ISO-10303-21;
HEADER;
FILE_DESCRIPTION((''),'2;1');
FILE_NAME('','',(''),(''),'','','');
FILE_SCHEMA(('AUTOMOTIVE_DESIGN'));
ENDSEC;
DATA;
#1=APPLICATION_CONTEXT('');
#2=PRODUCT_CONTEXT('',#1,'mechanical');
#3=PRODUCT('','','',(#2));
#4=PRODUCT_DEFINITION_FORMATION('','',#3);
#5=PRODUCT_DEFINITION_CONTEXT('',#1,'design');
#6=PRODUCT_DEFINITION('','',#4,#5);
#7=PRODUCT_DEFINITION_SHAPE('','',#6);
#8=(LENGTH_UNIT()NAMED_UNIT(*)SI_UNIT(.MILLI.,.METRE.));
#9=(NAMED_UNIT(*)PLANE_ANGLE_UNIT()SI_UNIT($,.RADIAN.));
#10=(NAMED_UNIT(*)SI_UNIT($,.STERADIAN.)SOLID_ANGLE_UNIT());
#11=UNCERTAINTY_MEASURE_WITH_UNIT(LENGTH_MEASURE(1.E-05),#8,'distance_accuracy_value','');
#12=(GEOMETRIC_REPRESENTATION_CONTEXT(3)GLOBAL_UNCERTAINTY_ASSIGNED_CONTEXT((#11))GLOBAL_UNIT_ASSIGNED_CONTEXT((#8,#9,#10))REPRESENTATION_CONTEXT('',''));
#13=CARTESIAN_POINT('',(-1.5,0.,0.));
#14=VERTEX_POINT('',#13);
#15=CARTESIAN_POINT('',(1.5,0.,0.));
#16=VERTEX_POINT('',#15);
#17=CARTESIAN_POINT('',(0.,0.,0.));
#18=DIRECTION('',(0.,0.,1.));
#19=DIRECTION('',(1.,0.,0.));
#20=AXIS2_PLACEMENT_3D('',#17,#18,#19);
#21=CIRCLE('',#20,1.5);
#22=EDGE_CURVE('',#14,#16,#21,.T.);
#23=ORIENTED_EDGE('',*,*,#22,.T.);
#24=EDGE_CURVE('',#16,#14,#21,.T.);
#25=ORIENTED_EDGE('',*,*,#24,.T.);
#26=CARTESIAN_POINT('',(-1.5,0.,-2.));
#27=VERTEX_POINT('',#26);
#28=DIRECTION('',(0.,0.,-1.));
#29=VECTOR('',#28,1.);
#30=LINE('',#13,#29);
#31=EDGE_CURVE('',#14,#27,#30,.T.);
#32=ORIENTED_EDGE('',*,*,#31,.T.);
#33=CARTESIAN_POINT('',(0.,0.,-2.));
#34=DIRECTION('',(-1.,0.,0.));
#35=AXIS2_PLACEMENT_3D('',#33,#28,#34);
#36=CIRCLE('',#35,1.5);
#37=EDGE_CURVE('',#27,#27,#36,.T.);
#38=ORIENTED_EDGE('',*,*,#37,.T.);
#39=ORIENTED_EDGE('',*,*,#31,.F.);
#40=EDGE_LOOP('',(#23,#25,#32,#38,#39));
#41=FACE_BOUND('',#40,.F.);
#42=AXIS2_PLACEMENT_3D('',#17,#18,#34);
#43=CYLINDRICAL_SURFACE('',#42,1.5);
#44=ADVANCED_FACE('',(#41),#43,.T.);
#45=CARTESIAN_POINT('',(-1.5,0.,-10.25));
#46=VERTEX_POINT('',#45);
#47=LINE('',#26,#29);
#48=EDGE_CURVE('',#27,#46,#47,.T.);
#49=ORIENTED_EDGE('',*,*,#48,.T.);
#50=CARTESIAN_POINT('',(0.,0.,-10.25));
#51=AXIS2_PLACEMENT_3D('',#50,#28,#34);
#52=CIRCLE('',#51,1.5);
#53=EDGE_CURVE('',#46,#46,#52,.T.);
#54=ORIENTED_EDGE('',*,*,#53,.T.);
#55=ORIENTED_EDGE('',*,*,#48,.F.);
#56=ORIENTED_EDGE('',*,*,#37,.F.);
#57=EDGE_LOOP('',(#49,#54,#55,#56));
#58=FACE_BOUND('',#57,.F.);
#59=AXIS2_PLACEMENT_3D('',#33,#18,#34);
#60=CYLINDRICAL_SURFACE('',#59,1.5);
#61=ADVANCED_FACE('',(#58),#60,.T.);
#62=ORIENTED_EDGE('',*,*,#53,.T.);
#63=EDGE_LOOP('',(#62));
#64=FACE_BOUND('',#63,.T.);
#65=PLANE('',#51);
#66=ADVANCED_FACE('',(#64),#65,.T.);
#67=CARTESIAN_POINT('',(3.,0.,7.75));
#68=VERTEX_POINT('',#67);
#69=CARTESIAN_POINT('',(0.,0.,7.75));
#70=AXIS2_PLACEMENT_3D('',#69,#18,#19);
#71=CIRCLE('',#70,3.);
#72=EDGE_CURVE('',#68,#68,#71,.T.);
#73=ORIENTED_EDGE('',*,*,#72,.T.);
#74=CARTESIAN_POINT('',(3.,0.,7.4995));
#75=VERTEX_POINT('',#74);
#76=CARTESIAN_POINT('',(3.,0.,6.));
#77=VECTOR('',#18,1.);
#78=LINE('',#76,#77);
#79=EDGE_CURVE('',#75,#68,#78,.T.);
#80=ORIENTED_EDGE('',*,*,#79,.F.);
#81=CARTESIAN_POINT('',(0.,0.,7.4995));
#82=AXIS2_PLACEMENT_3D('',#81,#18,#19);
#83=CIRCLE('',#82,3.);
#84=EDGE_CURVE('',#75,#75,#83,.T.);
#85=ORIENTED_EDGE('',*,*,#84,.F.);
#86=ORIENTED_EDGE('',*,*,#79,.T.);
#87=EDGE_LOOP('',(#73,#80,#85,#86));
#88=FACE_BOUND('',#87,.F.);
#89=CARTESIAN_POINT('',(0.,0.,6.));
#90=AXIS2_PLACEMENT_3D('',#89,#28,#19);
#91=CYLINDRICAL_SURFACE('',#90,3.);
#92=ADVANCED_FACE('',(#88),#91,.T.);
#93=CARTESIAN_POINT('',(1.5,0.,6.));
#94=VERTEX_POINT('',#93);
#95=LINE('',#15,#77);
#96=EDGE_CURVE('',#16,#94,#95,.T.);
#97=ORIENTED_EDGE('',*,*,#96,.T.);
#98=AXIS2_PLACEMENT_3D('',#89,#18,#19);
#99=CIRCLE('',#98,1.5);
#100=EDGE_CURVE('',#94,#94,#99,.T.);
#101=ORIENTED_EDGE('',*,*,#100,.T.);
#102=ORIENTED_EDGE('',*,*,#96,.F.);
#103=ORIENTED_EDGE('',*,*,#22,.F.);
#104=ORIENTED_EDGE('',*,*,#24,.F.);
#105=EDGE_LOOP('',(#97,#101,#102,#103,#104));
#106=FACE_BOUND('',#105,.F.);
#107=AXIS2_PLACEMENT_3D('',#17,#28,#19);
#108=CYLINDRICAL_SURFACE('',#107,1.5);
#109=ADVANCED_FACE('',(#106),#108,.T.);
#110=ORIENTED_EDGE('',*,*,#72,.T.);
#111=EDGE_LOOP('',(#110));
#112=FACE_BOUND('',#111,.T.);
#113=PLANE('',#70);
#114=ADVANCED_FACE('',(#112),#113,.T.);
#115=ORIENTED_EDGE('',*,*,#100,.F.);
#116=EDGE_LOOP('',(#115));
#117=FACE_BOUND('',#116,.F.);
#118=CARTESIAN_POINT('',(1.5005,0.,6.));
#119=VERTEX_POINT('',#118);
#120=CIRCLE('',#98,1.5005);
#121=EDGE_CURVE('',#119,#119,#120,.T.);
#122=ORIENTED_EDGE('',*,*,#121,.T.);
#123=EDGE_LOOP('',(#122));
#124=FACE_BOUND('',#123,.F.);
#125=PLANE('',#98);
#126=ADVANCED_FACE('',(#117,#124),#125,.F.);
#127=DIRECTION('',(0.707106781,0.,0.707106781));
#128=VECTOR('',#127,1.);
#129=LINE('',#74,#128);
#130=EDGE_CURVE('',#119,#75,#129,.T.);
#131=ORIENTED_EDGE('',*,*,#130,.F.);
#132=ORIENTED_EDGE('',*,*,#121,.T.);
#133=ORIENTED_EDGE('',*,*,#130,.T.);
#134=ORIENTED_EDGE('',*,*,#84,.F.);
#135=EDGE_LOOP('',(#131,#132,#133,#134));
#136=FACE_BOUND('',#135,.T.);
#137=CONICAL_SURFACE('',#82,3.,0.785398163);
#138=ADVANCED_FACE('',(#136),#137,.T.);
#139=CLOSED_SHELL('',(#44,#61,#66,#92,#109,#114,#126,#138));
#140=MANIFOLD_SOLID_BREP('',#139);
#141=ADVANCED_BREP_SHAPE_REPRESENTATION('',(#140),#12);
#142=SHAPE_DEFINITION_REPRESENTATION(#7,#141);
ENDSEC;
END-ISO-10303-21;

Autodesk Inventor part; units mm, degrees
ref_plane "YZ Plane" through (0, 0, 0) normal (1, 0, 0) x (0, 1, 0)
ref_plane "XZ Plane" through (0, 0, 0) normal (0, 1, 0) x (-1, 0, 0)
ref_plane "XY Plane" through (0, 0, 0) normal (0, 0, 1) x (1, 0, 0)
sketch "スケッチ1" plane through (0, 0, 0) normal (0, 0, 1) x (1, 0, 0)
  circle A0 centre (0, 0) radius 1.5
  dimension "d0" = 3
extrude "押し出し1" add sketch "スケッチ1" along normal blind 6
sketch "スケッチ2" plane through (0, 0, 6) normal (0, 0, 1) x (1, 0, 0)
  circle A0 centre (0, 0) radius 1.5 projected
  circle A1 centre (0, 0) radius 3
  dimension "d3" = 6
extrude "押し出し2" add sketch "スケッチ2" along normal blind 1.75 contours A0 | A1
thread "ねじ1" size "M3x0.5" class "6g" standard "ANSI Metric M Profile" full length
chamfer "面取り1" distance 1.5 angle 45 1 edges at (-3, 0, 6)
sketch "スケッチ4" plane through (0, 0, 0) normal (0, 0, -1) x (-1, 0, 0)
  circle A0 centre (0, 0) radius 1.5 projected
extrude "押し出し4" add sketch "スケッチ4" along normal blind 4
sketch "スケッチ5" plane through (0, 0, -4) normal (0, 0, -1) x (-1, 0, 0)
  circle A0 centre (0, 0) radius 1.5 projected
extrude "押し出し5" cut sketch "スケッチ5" against normal blind 2
sketch "スケッチ6" plane through (0, 0, -2) normal (0, 0, -1) x (-1, 0, 0)
  circle A0 centre (0, 0) radius 1.5 projected
extrude "押し出し6" add sketch "スケッチ6" along normal blind 8.25
properties part number "SB　18mm皿ネジ" material "Steel, Mild"
